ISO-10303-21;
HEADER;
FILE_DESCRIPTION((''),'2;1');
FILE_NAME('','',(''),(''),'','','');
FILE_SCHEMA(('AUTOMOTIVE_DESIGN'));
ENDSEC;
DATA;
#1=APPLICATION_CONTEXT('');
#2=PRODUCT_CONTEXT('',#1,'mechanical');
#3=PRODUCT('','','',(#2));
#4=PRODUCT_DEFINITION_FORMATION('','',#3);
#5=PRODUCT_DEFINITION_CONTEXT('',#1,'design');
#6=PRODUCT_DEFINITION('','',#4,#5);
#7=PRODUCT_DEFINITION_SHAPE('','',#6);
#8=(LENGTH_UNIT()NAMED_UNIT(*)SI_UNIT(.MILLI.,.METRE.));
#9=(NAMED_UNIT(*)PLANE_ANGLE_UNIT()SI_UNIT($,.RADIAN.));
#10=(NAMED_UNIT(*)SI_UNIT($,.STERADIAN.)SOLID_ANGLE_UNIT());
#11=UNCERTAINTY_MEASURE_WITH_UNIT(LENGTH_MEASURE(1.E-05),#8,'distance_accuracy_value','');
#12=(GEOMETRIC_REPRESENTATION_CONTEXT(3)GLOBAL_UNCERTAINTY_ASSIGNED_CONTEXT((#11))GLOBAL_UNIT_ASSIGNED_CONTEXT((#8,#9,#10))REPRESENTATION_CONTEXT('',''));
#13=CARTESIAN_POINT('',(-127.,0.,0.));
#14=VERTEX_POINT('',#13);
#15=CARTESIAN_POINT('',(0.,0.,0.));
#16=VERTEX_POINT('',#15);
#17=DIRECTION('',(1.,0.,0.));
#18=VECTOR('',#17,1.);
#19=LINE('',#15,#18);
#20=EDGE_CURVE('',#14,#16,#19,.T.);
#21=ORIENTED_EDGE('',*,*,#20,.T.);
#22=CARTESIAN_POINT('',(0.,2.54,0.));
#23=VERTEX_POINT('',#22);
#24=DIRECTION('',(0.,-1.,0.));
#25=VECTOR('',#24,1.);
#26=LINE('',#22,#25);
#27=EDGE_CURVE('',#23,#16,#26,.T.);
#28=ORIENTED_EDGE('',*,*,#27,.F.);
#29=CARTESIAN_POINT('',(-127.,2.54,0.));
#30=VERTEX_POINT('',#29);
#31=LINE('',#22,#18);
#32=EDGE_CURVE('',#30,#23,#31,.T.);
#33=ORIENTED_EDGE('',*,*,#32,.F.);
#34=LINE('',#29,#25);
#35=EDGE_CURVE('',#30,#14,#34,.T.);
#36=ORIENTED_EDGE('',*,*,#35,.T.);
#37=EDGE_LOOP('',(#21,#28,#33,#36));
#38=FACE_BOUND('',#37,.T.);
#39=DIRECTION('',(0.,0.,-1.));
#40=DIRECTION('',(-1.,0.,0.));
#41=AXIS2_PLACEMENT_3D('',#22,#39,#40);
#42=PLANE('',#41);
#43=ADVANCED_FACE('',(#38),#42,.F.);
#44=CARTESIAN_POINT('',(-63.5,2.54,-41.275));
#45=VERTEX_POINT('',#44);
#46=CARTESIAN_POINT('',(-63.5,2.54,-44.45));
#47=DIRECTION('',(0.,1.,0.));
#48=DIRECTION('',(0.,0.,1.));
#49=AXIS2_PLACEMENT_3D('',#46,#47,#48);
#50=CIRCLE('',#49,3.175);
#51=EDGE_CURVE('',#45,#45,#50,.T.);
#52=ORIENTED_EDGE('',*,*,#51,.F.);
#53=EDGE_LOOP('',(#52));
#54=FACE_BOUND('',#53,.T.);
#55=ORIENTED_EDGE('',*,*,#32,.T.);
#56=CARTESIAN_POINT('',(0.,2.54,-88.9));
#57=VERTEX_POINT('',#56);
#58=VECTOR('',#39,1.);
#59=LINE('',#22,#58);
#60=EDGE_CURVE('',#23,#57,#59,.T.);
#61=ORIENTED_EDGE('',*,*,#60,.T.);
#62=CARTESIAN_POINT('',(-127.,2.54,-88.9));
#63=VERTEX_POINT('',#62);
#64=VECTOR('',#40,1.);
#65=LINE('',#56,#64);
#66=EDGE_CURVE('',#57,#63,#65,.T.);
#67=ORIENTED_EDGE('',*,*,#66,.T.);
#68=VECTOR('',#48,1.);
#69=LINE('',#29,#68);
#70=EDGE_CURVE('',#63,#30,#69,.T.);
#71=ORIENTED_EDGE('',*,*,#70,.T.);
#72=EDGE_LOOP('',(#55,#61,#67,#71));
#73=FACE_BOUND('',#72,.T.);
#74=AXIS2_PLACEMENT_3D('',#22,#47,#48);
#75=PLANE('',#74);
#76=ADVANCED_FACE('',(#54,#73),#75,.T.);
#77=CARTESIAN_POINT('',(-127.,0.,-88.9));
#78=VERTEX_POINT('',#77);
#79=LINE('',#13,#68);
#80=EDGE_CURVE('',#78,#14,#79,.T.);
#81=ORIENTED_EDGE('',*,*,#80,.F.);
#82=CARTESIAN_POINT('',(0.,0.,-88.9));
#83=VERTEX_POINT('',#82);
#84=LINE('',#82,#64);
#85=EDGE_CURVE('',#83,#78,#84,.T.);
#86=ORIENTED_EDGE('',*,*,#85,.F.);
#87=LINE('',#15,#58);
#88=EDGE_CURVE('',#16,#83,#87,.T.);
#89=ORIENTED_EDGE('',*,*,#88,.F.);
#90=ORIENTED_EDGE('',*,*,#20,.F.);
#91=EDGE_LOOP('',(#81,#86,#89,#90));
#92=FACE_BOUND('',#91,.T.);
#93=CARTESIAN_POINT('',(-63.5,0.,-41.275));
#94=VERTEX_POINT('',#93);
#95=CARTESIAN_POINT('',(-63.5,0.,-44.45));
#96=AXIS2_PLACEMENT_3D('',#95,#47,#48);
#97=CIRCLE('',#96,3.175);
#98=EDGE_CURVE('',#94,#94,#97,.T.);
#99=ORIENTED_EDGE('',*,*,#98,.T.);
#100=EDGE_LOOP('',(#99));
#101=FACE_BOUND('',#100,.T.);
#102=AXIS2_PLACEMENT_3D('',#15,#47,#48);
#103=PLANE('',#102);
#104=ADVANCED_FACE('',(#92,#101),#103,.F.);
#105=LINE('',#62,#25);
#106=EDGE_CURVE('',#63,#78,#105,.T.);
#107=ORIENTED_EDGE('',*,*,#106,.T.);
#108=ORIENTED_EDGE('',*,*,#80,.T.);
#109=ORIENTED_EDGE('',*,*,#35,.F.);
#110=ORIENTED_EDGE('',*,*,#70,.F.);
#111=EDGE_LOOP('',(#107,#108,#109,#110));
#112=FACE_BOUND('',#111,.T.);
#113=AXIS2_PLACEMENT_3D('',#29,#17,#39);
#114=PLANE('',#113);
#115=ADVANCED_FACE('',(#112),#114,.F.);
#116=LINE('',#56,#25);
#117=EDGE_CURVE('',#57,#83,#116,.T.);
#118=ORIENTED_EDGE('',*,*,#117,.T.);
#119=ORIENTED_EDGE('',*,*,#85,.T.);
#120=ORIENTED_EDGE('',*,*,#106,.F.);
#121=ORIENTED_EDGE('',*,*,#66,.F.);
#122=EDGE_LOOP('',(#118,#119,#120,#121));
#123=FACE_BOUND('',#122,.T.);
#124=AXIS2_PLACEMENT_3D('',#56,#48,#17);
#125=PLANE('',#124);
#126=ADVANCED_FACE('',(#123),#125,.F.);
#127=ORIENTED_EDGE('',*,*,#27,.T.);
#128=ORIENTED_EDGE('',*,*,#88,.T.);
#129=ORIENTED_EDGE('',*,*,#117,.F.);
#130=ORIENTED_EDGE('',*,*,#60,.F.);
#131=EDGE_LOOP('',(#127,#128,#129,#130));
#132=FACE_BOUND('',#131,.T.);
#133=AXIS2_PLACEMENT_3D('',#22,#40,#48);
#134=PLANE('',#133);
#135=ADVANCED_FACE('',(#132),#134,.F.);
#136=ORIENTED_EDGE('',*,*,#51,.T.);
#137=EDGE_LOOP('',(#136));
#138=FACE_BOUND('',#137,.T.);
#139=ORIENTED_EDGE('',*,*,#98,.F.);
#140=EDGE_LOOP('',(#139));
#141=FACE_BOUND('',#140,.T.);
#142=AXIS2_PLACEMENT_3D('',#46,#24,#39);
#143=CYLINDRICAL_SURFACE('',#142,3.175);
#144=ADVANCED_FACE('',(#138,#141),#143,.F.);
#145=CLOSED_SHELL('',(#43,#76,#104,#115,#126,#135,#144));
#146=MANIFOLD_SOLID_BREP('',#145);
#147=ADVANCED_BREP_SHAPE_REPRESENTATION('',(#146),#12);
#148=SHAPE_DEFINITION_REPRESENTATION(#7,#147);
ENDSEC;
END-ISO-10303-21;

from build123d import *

# Parameters (mm, degrees)
SKETCH1_W           = 127
SKETCH1_H           = 88.9
SKETCH1_R           = 3.175
BOSS_EXTRUDE1_DEPTH = 2.54


with BuildPart() as part:
    # Sketch1 → Boss-Extrude1 (new body)
    with BuildSketch(Plane(origin=(0, 0, 0), x_dir=(1, 0, 0), z_dir=(0, 1, 0))):
        with Locations((-63.5, 44.45)):
            Rectangle(SKETCH1_W, SKETCH1_H)
        with Locations((-63.5, 44.45)):
            Circle(SKETCH1_R, mode=Mode.SUBTRACT)
    extrude(amount=BOSS_EXTRUDE1_DEPTH)


solid = part.part
